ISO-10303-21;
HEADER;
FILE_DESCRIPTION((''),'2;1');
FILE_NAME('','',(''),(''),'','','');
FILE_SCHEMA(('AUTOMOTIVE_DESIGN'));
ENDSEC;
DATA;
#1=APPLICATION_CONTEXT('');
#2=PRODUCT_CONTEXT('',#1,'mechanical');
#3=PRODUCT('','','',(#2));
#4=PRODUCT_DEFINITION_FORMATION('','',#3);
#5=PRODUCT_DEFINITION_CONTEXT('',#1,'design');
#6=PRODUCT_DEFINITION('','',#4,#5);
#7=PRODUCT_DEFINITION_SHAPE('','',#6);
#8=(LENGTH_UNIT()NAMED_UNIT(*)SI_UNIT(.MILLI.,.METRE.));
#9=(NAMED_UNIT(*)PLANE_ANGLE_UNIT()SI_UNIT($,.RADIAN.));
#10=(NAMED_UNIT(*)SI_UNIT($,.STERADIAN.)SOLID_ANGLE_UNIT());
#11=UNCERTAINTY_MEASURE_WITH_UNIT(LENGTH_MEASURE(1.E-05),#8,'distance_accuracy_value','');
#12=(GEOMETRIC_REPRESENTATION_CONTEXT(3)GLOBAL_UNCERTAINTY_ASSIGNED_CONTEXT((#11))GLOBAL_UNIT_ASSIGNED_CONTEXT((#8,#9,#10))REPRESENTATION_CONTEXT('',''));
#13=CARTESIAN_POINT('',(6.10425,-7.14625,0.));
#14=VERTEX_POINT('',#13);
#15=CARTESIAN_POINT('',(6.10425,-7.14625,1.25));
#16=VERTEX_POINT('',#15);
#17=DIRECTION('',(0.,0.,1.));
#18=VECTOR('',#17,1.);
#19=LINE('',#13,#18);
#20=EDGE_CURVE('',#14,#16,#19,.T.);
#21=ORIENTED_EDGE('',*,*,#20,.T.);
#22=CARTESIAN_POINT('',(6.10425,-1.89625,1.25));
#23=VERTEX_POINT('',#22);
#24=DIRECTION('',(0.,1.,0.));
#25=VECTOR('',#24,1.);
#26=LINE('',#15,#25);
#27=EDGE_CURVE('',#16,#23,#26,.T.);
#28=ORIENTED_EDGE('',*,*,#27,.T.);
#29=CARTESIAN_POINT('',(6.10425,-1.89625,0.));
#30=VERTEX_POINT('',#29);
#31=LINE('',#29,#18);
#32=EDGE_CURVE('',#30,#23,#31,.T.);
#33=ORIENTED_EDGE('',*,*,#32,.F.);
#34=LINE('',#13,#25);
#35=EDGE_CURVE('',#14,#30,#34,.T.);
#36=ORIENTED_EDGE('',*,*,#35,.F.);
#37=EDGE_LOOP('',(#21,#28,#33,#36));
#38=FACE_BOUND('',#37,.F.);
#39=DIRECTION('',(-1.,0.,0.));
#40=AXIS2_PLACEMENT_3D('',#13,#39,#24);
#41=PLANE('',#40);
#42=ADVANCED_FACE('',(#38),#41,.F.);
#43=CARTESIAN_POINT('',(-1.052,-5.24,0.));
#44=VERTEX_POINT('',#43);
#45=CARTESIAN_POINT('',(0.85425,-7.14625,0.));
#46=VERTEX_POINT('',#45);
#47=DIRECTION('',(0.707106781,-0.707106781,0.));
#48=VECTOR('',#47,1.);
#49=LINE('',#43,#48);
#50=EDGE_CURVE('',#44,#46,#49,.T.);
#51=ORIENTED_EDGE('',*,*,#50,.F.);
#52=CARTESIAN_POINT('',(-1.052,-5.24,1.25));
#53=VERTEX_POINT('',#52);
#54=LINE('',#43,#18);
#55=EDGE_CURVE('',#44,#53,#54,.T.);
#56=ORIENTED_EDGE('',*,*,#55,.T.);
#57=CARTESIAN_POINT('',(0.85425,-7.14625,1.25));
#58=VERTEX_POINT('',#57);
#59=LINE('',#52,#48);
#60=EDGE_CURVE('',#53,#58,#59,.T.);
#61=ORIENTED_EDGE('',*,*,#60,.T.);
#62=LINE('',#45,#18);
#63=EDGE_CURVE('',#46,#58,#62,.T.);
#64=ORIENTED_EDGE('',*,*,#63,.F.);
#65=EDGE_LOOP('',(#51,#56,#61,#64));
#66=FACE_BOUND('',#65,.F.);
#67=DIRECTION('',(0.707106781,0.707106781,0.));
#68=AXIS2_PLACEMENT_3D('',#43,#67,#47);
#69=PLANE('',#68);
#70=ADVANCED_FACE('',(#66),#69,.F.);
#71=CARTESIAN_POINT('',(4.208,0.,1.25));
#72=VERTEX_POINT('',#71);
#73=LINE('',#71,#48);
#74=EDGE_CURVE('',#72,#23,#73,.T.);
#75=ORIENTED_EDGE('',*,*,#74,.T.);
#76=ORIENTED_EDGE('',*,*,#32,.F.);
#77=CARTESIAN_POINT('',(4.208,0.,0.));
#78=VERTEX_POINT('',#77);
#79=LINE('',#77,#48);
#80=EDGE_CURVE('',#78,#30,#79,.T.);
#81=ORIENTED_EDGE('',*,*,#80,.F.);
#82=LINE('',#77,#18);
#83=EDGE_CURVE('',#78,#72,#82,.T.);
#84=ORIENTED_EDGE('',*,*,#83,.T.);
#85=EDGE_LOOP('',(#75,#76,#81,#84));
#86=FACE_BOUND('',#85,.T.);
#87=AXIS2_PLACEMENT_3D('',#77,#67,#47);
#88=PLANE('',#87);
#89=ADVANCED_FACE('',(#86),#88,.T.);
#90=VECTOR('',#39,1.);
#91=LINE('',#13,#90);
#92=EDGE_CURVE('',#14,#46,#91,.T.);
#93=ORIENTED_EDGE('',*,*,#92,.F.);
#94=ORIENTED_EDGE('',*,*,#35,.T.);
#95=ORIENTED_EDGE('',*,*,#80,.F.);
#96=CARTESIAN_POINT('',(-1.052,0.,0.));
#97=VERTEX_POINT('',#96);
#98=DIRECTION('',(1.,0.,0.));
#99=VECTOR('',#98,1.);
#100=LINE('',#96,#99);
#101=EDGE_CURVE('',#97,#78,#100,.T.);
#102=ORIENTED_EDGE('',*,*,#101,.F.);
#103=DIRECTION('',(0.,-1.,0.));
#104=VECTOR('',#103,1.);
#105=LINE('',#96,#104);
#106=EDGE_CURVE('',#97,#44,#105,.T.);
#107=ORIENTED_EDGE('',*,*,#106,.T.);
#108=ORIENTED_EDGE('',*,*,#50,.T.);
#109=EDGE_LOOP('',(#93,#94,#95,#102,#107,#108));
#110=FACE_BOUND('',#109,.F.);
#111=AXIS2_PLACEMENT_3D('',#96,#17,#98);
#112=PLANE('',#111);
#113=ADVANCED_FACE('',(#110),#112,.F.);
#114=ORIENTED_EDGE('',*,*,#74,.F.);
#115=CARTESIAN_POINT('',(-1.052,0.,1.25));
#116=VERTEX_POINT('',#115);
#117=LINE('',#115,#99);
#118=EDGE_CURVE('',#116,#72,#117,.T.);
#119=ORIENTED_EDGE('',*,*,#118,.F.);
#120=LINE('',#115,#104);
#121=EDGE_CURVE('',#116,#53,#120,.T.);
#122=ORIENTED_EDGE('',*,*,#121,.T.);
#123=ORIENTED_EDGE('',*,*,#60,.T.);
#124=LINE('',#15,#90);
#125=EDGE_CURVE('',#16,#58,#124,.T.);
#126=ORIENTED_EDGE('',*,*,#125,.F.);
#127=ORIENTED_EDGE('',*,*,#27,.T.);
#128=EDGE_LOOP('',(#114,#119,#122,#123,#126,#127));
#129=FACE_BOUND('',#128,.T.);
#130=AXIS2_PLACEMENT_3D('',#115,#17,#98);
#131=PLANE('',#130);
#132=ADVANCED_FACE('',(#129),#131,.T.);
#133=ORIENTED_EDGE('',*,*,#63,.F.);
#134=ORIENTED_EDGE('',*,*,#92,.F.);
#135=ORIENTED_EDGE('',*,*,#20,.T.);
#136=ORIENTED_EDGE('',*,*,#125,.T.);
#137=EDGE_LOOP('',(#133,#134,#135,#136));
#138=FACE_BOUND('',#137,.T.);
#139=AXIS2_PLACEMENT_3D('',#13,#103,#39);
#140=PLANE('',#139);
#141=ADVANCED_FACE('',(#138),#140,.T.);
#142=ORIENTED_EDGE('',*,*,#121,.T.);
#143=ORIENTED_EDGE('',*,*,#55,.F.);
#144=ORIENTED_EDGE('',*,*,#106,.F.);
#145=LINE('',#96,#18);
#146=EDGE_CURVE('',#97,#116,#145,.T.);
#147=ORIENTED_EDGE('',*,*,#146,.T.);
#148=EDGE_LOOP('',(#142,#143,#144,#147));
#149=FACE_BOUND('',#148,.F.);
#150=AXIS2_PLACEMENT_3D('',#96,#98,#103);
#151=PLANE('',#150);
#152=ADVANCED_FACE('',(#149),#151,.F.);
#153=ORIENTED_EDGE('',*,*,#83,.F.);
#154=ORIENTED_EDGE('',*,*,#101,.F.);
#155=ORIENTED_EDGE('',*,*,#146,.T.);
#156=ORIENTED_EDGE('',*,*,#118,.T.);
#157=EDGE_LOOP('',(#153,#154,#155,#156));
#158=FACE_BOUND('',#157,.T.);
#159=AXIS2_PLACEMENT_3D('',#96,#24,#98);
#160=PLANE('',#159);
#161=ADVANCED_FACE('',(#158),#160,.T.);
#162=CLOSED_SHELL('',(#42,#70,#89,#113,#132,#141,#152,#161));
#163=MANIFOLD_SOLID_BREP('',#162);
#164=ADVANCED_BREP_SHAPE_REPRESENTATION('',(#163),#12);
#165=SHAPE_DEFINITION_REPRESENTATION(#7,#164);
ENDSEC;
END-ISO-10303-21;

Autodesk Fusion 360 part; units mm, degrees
sketch "Sketch1" plane through (0, 0, 0) normal (0, 0, 1) x (1, 0, 0)
  line L0 (0, 0) -> (5.725, 0) construction
  line L1 (5.725, 0) -> (5.725, -5.717) construction
  line L2 (5.725, -5.717) -> (0, -5.717) construction
  line L3 (0, -5.717) -> (0, 0) construction
  line L4 (0, 0) -> (4.208, 0)
  line L5 (0, 0) -> (0, -4.192)
  line L6 (5.725, -5.717) -> (1.525, -5.717)
  line L7 (5.725, -5.717) -> (5.725, -1.517)
  line L8 (0, -4.192) -> (1.525, -5.717)
  line L9 (4.208, 0) -> (5.725, -1.517)
  dimension "d1" = 5.725
  dimension "d2" = 5.717
  dimension "d3" = 4.208
  dimension "d4" = 4.192
  dimension "d5" = 4.2
  dimension "d6" = 4.2
extrude "Extrude1" add sketch "Sketch1" along normal blind 1
scale "Scale1" factor 1.25 about (4.208, 0, 0) bodies 1
